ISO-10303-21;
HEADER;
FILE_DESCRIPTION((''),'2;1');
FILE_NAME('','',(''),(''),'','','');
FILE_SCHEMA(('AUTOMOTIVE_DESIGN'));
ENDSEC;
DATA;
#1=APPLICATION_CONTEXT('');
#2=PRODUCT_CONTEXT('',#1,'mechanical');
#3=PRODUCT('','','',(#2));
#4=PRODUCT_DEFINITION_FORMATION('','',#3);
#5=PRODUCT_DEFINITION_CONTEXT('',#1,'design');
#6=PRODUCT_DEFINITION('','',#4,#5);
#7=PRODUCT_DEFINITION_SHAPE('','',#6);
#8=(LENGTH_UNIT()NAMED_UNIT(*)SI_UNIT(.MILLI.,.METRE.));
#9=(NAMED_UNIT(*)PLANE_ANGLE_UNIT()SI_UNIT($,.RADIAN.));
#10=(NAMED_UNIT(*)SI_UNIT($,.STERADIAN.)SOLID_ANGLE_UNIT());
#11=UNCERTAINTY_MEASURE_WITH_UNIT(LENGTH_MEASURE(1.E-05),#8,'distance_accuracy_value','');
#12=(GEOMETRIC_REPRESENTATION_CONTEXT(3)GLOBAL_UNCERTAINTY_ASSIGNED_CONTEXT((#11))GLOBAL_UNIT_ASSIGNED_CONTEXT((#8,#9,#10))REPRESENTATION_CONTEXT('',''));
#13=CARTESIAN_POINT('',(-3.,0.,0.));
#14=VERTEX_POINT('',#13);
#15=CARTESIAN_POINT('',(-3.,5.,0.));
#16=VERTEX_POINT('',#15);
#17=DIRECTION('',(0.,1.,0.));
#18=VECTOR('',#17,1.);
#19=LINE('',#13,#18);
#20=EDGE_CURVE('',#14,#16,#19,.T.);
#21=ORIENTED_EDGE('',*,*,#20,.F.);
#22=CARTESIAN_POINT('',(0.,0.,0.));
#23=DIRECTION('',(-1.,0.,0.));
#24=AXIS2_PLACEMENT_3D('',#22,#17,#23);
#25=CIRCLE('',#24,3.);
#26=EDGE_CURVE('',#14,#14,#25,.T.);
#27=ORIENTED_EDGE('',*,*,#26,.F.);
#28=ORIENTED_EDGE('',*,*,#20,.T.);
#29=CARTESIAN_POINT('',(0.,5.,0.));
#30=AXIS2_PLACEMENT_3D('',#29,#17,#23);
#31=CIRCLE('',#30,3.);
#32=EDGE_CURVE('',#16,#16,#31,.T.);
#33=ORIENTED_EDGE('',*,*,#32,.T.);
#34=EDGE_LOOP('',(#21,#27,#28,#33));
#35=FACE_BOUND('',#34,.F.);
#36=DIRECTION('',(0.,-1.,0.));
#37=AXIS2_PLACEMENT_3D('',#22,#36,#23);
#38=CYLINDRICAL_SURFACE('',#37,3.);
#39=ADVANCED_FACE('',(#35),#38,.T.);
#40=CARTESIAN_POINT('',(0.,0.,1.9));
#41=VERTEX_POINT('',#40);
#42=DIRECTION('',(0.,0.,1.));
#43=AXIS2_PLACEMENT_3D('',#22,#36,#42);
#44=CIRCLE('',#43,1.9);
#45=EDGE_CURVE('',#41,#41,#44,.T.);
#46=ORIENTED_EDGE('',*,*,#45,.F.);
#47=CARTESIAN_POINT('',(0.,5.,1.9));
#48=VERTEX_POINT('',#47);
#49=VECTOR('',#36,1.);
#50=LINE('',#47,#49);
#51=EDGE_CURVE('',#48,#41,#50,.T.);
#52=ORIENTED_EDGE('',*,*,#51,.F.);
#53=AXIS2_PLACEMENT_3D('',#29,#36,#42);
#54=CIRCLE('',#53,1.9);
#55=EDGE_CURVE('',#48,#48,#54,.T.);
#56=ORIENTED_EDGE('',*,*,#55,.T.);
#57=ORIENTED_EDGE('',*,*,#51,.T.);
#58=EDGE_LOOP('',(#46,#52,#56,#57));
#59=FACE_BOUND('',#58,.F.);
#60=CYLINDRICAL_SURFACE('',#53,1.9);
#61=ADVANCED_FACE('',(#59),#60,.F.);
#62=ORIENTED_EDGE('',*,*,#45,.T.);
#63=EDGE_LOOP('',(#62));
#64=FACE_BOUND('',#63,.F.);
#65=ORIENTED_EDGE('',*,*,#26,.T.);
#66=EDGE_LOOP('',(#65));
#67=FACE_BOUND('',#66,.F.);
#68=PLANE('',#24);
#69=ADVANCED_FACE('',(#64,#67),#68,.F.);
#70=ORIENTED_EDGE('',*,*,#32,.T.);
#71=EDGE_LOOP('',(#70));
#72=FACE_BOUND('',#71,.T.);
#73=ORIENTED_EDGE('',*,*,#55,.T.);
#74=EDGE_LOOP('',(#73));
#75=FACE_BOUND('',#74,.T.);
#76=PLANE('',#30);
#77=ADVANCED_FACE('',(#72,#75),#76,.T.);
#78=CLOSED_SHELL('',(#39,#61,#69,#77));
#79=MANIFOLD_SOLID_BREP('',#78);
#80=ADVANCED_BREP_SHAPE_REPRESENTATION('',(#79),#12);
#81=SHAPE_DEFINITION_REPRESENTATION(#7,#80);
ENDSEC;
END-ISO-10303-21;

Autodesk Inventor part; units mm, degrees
ref_plane "YZ Plane" through (0, 0, 0) normal (1, 0, 0) x (0, 1, 0)
ref_plane "XZ Plane" through (0, 0, 0) normal (0, 1, 0) x (-1, 0, 0)
ref_plane "XY Plane" through (0, 0, 0) normal (0, 0, 1) x (1, 0, 0)
sketch "Szkic1" plane through (0, 0, 0) normal (0, 1, 0) x (-1, 0, 0)
  circle A0 centre (0, 0) radius 3
  dimension "d0" = 6
extrude "Wyciągnięcie proste1" add sketch "Szkic1" along normal blind 5
sketch "Szkic2" plane through (0, 5, 0) normal (0, 1, 0) x (1, 0, 0)
  point P0 (0, 0)
  point P1 (0, 0)
hole "Otwór1" at (0, 5, 0) direction (0, -1, 0) diameter 3.8 end through all
properties part number "28_tuleja mocująca LCD" material "Polipropylen"
